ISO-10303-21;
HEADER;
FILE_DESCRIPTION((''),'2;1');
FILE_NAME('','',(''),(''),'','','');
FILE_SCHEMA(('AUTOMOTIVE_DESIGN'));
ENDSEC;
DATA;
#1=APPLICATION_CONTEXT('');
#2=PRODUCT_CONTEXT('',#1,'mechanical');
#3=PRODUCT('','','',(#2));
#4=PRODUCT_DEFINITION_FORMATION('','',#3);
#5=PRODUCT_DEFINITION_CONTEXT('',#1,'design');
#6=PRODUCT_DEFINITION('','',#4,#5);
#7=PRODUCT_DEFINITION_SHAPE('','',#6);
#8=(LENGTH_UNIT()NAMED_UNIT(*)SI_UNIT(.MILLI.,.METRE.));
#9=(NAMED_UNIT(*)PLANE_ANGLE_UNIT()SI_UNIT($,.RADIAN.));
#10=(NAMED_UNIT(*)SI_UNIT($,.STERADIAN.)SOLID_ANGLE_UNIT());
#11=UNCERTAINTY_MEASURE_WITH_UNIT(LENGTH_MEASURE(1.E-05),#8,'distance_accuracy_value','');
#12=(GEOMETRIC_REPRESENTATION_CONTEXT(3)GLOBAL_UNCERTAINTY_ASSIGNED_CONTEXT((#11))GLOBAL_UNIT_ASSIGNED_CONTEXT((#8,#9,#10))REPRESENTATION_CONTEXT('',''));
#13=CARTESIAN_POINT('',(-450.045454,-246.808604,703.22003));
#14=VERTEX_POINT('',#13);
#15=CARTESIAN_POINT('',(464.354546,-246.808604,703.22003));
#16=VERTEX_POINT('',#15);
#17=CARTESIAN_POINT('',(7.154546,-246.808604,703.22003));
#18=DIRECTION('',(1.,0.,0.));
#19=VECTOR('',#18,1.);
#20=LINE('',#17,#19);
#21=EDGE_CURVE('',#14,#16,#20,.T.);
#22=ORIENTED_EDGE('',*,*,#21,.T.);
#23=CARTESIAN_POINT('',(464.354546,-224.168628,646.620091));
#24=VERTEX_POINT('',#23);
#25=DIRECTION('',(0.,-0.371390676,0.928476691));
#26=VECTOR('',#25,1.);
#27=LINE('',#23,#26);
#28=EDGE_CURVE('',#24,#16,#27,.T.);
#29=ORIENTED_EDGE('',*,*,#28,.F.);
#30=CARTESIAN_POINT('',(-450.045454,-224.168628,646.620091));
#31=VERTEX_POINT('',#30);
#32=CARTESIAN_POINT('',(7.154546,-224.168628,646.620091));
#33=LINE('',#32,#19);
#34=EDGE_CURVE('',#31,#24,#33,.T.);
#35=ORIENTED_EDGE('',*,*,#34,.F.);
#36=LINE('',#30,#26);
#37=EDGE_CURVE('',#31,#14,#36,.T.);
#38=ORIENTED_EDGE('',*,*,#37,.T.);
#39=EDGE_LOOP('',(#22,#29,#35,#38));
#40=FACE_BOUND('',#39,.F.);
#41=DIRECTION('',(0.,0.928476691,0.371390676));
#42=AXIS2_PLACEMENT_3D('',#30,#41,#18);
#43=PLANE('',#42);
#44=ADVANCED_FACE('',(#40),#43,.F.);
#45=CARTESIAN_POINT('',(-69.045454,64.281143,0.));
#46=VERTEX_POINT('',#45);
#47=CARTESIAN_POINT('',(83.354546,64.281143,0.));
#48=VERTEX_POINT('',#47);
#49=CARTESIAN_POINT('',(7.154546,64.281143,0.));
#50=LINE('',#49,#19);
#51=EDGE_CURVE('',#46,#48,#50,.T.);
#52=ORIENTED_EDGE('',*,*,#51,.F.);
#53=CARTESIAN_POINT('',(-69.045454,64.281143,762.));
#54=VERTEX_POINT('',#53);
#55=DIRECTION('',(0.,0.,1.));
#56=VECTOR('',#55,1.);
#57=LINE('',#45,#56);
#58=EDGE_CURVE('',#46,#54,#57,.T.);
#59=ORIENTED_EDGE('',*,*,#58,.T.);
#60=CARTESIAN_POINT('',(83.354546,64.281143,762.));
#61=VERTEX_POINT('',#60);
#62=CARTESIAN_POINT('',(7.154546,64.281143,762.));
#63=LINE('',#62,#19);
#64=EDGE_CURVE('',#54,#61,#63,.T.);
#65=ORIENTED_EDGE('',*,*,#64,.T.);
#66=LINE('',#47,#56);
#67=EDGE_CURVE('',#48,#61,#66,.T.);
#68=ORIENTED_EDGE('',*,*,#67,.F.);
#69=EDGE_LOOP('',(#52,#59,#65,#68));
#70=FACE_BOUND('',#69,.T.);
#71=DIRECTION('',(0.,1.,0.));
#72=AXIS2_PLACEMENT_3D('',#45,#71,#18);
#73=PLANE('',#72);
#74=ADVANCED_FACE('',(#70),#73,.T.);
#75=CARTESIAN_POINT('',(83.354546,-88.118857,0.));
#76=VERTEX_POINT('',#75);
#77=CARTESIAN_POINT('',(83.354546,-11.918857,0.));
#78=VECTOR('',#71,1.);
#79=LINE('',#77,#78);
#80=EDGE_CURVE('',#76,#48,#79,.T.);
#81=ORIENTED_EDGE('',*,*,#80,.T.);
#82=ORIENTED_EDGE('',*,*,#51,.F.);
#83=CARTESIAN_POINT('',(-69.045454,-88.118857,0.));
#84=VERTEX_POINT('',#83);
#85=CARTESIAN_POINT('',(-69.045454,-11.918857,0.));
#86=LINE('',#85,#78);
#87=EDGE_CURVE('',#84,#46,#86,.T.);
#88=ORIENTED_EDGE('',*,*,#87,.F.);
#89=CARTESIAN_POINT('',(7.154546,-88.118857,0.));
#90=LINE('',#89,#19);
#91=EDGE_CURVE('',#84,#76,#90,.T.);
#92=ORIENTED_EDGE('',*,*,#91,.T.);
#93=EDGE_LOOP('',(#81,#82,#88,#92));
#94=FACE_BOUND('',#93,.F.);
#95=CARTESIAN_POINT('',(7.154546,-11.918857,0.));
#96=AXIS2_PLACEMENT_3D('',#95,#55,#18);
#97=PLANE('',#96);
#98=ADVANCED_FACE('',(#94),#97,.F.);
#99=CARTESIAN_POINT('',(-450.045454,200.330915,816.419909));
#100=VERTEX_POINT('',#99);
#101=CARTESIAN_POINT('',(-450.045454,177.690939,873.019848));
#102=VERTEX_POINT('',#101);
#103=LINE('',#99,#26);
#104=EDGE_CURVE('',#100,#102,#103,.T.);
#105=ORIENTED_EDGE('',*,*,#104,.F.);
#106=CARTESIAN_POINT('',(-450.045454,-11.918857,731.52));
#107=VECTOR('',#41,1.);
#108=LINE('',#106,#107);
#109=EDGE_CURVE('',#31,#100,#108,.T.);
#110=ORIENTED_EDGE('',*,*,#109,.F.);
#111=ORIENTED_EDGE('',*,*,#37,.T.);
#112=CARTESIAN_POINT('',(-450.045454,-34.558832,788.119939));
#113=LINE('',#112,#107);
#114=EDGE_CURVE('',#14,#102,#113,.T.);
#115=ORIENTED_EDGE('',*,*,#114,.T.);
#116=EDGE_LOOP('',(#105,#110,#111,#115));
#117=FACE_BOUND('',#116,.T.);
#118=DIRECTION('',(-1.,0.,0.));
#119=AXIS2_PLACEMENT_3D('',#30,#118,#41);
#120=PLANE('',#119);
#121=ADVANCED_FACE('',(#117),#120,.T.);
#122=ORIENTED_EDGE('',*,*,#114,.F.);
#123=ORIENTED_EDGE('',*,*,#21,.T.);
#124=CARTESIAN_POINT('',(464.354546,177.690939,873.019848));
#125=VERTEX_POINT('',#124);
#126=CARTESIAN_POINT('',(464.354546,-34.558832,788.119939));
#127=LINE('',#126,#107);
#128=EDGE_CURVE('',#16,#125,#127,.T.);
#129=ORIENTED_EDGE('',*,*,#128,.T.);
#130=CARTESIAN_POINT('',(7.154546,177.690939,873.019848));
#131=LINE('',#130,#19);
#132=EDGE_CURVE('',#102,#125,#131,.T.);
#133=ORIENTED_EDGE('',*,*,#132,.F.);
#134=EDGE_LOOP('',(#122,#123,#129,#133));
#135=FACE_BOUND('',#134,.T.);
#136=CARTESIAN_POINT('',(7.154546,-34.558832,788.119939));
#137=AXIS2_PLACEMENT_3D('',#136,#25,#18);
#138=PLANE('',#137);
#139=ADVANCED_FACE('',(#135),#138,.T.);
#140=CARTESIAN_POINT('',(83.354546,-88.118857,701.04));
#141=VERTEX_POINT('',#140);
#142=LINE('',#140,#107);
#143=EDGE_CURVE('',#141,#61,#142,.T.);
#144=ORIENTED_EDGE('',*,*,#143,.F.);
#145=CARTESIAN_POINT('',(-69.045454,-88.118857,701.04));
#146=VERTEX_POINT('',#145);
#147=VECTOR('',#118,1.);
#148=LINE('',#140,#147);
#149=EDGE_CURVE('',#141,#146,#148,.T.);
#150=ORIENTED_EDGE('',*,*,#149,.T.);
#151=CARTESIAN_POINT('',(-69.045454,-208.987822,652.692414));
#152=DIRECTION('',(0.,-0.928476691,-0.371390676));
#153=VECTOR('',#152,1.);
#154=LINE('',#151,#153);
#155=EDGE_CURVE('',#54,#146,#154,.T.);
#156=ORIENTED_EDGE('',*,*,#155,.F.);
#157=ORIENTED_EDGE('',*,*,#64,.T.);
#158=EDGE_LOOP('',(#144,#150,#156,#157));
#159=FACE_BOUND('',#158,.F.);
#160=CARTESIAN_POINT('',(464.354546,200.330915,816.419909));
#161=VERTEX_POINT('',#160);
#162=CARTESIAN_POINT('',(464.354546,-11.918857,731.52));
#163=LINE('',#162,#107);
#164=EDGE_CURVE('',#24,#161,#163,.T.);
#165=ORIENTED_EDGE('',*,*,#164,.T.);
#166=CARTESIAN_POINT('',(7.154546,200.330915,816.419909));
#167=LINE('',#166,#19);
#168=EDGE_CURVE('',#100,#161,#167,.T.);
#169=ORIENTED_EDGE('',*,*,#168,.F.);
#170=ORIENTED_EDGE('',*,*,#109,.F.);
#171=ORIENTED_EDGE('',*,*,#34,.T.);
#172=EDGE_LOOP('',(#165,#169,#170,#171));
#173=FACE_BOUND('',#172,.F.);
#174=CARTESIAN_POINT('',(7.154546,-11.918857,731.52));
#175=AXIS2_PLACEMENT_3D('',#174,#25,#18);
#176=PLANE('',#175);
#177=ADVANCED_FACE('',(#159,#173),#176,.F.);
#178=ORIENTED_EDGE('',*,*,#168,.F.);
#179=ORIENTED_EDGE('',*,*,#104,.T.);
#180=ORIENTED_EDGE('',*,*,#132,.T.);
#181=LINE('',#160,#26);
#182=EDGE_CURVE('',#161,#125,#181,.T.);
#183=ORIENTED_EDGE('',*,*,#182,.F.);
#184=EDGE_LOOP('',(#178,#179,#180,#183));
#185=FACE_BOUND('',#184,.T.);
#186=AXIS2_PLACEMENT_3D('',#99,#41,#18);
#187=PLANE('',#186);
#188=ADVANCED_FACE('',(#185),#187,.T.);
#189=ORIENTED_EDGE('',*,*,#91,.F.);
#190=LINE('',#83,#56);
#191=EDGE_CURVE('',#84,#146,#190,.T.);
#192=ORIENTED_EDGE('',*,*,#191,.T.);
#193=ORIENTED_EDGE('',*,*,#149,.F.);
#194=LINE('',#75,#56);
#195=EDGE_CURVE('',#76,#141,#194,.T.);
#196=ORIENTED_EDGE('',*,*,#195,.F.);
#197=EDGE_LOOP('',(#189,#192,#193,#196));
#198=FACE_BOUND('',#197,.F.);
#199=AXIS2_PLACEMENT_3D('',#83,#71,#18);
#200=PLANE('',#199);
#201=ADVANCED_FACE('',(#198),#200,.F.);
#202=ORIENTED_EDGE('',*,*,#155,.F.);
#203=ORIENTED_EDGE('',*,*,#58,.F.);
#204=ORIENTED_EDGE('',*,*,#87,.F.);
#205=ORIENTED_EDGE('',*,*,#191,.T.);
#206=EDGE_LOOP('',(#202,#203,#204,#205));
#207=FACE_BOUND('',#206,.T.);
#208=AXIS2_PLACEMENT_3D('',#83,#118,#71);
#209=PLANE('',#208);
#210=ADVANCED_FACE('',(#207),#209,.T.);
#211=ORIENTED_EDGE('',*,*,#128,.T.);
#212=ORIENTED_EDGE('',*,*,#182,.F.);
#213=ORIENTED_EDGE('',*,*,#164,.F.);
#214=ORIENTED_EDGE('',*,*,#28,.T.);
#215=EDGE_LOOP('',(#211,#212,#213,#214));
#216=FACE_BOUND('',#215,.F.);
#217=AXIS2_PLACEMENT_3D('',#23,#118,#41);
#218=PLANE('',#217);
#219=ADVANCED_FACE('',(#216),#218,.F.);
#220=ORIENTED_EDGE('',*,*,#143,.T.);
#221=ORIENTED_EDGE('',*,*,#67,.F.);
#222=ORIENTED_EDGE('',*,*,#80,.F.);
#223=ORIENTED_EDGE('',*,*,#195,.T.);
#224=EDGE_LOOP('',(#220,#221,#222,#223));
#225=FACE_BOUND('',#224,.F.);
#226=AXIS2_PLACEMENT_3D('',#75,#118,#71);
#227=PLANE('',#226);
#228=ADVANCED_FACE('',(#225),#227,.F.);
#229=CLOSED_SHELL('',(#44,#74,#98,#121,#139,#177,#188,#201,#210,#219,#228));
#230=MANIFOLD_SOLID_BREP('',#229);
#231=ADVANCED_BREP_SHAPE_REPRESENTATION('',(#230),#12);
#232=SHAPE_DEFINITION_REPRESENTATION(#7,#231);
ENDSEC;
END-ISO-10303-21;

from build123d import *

# Parameters (mm, degrees)
F0_W     = 152.4
F0_H     = 152.4
F1_DEPTH = 762
F3_DEPTH = 152.401
F4_W     = 914.4
F4_H     = 457.2
F5_DEPTH = 60.96


with BuildPart() as f1:
    # F0 (on Top) → F1 (new body)
    with BuildSketch(Plane.XY):
        with Locations((7.154546032, -11.9188567623)):
            Rectangle(F0_W, F0_H)
    extrude(amount=F1_DEPTH)

    # F2 (on face) → F3 (cut, through all)
    with BuildSketch(Plane.YZ.offset(83.354546032)):
        Polygon((64.2811432377, 762), (-88.1188567623, 762), (-88.1188567623, 701.04), align=None)
    extrude(amount=-F3_DEPTH, mode=Mode.SUBTRACT)

    # F4 (on face) → F5 (join)
    with BuildSketch(Plane(origin=(0, -253.8922561052, 634.7306402629), x_dir=(1, 0, 0), z_dir=(0, -0.3713906764, 0.9284766909))):
        with Locations((7.154546032, 260.6133268807)):
            Rectangle(F4_W, F4_H)
    extrude(amount=F5_DEPTH)


solid = f1.part
